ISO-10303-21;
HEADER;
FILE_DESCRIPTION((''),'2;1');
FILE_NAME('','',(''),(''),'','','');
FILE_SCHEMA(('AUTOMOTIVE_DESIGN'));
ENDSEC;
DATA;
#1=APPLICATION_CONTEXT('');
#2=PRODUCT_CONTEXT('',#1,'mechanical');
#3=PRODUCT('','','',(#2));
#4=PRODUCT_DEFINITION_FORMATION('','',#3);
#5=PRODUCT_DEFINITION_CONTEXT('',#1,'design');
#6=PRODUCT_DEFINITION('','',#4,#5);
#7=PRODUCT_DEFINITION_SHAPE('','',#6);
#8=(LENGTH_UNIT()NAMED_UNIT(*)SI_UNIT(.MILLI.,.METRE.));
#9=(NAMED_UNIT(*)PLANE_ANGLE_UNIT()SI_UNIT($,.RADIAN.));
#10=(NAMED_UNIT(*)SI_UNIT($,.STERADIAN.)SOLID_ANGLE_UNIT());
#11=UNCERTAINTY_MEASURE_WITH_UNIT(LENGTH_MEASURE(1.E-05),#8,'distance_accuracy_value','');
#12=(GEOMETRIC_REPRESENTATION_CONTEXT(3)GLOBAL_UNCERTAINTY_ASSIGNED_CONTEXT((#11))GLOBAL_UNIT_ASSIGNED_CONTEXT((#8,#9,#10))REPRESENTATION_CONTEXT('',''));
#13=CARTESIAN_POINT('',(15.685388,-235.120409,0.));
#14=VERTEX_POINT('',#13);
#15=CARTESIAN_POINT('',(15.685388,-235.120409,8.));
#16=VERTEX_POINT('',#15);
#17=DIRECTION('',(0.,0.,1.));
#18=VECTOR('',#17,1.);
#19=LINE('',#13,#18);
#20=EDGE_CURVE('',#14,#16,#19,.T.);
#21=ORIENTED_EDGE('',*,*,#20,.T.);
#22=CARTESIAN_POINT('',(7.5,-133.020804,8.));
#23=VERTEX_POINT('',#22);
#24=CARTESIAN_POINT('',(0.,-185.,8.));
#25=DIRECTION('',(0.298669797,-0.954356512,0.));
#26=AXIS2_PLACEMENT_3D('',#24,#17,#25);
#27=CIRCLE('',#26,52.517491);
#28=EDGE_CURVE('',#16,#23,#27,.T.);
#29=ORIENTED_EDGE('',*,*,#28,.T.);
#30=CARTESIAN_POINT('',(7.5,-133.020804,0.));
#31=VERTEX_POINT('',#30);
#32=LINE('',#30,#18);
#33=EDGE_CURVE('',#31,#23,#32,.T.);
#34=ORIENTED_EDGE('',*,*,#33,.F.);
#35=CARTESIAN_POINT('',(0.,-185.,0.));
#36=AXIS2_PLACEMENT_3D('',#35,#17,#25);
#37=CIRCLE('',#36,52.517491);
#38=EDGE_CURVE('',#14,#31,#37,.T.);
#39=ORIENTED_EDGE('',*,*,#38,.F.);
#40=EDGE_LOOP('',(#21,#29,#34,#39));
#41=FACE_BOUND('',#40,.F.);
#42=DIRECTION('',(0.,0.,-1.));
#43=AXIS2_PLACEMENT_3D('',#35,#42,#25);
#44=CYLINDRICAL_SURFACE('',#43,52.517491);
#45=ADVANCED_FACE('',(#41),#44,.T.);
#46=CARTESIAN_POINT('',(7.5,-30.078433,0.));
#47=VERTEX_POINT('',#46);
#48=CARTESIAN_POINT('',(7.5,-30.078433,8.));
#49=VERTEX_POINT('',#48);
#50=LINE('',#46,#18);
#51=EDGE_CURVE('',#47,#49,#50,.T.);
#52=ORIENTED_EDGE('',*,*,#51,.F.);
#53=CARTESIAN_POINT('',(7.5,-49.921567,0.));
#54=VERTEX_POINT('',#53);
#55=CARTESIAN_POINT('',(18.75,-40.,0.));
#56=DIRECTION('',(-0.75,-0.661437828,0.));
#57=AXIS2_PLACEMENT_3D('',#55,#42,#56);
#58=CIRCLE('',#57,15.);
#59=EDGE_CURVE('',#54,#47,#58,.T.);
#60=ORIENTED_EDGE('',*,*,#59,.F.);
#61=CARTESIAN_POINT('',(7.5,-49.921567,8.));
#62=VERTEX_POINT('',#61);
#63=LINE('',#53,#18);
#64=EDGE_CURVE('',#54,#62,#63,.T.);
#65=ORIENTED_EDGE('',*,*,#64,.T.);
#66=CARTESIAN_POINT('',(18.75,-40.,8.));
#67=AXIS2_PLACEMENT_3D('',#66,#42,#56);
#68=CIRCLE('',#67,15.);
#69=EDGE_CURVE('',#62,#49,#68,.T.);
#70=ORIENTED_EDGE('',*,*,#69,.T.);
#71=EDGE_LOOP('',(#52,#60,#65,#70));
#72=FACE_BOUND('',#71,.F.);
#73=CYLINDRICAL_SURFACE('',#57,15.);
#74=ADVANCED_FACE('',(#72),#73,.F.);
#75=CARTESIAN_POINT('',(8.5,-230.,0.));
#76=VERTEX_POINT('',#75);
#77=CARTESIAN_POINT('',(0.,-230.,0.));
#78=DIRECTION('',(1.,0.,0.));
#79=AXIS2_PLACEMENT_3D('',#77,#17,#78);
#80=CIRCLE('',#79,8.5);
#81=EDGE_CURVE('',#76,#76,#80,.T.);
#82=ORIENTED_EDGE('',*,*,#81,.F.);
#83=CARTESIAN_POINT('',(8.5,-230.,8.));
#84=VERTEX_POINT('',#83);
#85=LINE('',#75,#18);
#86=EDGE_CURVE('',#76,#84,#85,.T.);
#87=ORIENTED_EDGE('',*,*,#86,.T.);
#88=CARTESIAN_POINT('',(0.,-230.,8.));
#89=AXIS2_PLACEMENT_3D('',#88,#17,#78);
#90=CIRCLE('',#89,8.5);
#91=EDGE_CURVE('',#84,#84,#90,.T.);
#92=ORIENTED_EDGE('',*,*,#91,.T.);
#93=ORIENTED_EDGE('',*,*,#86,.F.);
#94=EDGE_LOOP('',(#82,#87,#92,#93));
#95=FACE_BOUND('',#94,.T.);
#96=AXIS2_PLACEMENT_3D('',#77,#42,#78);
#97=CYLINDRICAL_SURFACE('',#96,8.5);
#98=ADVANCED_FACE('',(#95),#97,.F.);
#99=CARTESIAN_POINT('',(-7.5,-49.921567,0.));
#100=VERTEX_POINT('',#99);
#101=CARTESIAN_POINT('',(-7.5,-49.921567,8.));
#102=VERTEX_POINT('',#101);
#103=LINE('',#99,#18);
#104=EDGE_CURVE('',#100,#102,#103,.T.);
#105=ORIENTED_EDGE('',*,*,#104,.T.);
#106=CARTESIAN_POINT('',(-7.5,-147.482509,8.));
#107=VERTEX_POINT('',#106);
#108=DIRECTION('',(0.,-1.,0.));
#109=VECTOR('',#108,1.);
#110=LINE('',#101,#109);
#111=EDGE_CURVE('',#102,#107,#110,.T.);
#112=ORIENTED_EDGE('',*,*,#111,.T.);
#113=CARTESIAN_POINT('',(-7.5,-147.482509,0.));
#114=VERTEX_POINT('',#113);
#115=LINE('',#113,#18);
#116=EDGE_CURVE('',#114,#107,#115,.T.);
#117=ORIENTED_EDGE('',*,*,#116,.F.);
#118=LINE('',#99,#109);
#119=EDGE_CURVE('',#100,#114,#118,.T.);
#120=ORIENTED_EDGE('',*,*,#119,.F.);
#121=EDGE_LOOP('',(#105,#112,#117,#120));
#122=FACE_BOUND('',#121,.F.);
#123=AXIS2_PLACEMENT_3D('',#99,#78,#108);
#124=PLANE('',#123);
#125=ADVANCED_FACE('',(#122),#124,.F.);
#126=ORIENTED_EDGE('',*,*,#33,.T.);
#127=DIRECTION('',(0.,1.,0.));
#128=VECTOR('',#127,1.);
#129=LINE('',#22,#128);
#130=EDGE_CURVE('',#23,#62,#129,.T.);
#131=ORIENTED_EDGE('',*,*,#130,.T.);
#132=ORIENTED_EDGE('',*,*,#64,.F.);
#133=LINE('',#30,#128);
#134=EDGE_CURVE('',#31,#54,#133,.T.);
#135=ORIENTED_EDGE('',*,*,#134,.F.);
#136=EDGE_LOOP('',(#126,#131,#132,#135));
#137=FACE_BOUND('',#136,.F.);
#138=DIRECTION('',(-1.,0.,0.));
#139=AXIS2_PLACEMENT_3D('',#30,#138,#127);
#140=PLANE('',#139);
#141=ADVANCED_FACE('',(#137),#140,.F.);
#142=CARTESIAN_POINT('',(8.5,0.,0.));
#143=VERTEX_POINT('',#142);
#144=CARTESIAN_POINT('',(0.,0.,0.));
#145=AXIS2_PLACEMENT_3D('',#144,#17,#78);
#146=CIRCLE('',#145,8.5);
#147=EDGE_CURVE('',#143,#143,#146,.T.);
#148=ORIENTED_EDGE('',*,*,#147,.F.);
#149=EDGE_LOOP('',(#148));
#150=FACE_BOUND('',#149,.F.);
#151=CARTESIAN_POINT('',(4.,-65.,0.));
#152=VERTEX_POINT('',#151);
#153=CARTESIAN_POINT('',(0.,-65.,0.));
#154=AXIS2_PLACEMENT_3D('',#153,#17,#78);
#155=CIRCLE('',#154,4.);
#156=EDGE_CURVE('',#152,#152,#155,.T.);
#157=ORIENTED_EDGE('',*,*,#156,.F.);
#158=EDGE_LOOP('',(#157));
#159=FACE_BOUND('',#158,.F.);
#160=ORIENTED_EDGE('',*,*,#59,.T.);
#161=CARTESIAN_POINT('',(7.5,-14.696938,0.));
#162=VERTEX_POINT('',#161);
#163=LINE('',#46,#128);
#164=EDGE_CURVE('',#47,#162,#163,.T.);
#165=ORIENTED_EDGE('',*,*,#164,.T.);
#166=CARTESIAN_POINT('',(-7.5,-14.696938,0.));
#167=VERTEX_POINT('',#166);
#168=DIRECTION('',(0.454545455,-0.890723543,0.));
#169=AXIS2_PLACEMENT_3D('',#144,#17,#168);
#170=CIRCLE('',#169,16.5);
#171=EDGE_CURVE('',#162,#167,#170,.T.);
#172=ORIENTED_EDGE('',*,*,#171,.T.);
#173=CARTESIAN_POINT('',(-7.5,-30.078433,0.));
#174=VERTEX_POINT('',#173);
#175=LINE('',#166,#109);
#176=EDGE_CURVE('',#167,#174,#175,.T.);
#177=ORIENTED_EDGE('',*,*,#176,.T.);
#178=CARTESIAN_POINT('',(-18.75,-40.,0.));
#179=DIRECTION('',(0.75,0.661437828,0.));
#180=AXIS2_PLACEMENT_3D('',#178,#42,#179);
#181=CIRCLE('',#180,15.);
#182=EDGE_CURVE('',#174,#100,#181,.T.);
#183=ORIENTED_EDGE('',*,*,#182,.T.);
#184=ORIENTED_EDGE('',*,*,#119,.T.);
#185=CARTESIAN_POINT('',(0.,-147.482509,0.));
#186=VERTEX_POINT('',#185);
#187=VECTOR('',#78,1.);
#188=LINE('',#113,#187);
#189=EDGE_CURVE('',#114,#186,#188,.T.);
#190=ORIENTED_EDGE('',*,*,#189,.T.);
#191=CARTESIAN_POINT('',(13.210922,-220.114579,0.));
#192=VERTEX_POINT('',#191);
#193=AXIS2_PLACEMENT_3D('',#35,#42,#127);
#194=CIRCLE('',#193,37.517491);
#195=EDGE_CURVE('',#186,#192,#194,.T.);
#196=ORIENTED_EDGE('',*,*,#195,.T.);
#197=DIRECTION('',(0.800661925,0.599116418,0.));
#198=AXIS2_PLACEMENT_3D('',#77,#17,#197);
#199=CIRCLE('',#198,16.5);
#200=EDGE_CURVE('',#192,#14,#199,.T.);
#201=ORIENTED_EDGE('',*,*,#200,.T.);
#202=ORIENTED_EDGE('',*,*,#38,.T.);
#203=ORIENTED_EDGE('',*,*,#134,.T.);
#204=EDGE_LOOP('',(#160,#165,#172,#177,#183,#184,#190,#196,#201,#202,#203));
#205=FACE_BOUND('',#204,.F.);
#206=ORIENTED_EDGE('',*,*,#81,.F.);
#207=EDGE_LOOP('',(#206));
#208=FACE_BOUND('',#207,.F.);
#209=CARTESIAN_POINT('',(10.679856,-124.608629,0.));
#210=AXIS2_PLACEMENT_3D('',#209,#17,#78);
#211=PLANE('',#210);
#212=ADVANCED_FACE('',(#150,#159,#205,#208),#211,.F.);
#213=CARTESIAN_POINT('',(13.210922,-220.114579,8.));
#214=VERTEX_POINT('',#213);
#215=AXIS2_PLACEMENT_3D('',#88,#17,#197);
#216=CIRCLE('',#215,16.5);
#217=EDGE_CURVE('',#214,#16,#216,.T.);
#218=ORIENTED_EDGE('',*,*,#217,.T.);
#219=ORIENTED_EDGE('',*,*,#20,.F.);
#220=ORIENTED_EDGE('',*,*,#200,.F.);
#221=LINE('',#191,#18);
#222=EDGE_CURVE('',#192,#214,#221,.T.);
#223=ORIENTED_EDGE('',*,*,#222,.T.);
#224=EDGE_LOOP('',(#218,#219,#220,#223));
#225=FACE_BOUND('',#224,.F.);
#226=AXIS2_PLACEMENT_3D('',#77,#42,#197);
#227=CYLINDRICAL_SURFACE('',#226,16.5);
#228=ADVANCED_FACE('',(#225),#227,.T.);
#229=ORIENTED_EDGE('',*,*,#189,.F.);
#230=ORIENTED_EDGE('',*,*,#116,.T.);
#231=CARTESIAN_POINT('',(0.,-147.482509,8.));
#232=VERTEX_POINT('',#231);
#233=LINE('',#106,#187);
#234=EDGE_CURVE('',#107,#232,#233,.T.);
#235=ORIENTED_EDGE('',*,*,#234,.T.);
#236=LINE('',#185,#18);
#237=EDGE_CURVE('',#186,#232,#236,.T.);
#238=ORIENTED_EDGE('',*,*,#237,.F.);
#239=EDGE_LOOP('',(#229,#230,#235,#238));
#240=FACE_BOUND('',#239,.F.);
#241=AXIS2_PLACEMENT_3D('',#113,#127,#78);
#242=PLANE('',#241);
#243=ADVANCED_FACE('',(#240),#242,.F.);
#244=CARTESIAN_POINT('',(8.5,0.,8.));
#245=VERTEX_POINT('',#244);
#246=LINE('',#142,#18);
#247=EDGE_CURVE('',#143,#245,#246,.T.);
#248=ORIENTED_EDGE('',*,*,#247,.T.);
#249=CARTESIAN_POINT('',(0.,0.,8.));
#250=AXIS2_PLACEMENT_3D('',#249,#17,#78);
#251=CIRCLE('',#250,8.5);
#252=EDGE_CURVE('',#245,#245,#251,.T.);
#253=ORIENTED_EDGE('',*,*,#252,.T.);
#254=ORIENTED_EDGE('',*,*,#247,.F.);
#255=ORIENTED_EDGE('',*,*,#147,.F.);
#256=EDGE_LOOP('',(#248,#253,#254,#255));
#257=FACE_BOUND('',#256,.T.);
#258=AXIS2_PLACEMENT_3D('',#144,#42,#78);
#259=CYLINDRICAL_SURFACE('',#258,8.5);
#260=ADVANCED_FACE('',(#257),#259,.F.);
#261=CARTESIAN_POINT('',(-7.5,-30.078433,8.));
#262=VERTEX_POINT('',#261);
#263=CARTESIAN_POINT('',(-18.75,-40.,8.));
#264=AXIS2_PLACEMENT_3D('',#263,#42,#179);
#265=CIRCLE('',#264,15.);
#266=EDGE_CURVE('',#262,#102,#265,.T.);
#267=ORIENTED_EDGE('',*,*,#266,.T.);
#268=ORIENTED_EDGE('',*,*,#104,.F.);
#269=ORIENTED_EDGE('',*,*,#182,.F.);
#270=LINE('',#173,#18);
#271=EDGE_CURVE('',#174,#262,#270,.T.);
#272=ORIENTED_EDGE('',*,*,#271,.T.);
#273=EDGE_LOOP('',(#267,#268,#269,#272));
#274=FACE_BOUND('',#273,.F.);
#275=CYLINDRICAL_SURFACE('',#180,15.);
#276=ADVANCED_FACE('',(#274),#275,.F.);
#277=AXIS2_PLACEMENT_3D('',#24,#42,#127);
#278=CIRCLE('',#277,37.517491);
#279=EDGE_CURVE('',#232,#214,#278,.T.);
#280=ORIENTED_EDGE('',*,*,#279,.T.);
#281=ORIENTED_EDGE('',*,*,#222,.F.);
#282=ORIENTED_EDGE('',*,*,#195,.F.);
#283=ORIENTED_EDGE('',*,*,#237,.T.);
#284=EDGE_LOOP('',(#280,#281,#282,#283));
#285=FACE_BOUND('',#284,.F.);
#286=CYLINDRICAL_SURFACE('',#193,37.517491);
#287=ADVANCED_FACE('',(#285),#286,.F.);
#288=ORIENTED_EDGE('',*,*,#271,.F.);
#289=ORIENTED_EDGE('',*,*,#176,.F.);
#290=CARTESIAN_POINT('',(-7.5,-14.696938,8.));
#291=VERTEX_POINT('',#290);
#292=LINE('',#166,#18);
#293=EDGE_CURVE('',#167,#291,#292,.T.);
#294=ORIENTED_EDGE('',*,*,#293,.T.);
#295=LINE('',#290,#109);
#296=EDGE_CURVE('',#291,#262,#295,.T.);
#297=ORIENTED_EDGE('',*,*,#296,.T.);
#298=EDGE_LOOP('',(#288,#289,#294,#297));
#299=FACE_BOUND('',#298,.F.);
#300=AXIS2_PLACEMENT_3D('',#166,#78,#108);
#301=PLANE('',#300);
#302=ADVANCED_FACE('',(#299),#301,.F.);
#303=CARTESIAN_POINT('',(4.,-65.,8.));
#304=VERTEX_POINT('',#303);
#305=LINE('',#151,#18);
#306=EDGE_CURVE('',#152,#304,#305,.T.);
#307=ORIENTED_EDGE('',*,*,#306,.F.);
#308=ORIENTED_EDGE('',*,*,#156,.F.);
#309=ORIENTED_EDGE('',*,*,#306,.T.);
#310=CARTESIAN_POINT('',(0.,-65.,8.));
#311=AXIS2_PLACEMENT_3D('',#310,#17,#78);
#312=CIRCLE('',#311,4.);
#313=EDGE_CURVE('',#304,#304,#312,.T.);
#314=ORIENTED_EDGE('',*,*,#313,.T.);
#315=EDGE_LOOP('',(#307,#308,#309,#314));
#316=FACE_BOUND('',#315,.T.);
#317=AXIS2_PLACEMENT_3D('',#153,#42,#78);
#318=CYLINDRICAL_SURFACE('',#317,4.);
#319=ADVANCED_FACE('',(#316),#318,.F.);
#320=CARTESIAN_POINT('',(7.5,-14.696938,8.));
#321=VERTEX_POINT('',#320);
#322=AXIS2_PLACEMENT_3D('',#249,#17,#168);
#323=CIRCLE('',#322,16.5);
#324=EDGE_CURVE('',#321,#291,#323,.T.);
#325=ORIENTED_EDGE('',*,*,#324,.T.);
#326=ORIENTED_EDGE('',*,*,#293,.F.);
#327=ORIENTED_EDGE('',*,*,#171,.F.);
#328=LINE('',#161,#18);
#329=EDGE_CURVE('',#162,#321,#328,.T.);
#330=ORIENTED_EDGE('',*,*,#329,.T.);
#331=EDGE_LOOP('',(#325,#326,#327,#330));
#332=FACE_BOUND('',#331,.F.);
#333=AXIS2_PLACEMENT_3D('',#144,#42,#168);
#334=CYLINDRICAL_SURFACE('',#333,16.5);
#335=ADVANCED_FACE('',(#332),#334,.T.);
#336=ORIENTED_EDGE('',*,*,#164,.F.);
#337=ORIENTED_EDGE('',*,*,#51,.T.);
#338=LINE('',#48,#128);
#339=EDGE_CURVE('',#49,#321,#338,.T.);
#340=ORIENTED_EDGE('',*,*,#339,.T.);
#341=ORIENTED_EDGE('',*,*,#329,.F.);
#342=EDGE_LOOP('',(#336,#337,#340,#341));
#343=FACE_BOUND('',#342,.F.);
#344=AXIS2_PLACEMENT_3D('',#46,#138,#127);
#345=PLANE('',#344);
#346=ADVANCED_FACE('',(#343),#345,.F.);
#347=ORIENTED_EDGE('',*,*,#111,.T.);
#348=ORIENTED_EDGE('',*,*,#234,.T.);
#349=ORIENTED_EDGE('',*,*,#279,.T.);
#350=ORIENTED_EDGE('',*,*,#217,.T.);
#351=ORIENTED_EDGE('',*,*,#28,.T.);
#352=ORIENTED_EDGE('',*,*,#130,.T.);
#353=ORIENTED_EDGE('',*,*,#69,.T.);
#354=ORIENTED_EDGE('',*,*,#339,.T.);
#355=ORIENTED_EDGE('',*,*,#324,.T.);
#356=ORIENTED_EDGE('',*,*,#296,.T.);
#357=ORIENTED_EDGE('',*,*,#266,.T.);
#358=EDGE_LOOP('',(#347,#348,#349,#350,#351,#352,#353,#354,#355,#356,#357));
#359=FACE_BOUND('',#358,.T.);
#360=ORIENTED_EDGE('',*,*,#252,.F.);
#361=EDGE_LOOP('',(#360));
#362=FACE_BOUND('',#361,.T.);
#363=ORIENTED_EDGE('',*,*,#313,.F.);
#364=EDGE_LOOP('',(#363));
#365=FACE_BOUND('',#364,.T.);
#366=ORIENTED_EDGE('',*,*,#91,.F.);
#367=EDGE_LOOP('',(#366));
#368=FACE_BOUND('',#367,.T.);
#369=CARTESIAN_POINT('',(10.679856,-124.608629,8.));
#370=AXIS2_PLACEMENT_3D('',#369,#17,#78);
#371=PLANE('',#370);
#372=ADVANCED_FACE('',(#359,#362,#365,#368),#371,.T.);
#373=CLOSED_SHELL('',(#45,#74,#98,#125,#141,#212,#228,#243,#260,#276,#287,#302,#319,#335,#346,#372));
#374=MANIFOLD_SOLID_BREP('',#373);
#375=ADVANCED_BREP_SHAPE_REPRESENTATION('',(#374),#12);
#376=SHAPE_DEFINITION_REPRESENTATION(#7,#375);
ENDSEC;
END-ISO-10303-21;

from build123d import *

# Parameters (mm, degrees)
SKETCH1_R           = 8.5
SKETCH1_R_2         = 4
BOSS_EXTRUDE1_DEPTH = 8


with BuildPart() as part:
    # Sketch1 → Boss-Extrude1 (new body)
    with BuildSketch(Plane.XY):
        with BuildLine():
            ThreePointArc((7.5, -14.696938457), (0, 16.5), (-7.5, -14.696938457))
            Line((-7.5, -14.696938457), (-7.5, -30.078432584))
            ThreePointArc((-7.5, -30.078432584), (-3.75, -40), (-7.5, -49.921567416))
            Line((-7.5, -49.921567416), (-7.5, -147.482509157))
            Line((-7.5, -147.482509157), (0, -147.482509157))
            ThreePointArc((0, -147.482509157), (36.911874913, -178.286162824), (13.210921757, -220.114579102))
            ThreePointArc((13.210921757, -220.114579102), (-16.280138823, -232.684600513), (15.685388352, -235.120409383))
            ThreePointArc((15.685388352, -235.120409383), (52.349526518, -180.803106174), (7.5, -133.020803734))
            Line((7.5, -133.020803734), (7.5, -49.921567416))
            ThreePointArc((7.5, -49.921567416), (3.75, -40), (7.5, -30.078432584))
            Line((7.5, -30.078432584), (7.5, -14.696938457))
        make_face()
        with Locations((0, -230)):
            Circle(SKETCH1_R, mode=Mode.SUBTRACT)
        with Locations((0, -65)):
            Circle(SKETCH1_R_2, mode=Mode.SUBTRACT)
        Circle(SKETCH1_R, mode=Mode.SUBTRACT)
    extrude(amount=BOSS_EXTRUDE1_DEPTH)


solid = part.part
